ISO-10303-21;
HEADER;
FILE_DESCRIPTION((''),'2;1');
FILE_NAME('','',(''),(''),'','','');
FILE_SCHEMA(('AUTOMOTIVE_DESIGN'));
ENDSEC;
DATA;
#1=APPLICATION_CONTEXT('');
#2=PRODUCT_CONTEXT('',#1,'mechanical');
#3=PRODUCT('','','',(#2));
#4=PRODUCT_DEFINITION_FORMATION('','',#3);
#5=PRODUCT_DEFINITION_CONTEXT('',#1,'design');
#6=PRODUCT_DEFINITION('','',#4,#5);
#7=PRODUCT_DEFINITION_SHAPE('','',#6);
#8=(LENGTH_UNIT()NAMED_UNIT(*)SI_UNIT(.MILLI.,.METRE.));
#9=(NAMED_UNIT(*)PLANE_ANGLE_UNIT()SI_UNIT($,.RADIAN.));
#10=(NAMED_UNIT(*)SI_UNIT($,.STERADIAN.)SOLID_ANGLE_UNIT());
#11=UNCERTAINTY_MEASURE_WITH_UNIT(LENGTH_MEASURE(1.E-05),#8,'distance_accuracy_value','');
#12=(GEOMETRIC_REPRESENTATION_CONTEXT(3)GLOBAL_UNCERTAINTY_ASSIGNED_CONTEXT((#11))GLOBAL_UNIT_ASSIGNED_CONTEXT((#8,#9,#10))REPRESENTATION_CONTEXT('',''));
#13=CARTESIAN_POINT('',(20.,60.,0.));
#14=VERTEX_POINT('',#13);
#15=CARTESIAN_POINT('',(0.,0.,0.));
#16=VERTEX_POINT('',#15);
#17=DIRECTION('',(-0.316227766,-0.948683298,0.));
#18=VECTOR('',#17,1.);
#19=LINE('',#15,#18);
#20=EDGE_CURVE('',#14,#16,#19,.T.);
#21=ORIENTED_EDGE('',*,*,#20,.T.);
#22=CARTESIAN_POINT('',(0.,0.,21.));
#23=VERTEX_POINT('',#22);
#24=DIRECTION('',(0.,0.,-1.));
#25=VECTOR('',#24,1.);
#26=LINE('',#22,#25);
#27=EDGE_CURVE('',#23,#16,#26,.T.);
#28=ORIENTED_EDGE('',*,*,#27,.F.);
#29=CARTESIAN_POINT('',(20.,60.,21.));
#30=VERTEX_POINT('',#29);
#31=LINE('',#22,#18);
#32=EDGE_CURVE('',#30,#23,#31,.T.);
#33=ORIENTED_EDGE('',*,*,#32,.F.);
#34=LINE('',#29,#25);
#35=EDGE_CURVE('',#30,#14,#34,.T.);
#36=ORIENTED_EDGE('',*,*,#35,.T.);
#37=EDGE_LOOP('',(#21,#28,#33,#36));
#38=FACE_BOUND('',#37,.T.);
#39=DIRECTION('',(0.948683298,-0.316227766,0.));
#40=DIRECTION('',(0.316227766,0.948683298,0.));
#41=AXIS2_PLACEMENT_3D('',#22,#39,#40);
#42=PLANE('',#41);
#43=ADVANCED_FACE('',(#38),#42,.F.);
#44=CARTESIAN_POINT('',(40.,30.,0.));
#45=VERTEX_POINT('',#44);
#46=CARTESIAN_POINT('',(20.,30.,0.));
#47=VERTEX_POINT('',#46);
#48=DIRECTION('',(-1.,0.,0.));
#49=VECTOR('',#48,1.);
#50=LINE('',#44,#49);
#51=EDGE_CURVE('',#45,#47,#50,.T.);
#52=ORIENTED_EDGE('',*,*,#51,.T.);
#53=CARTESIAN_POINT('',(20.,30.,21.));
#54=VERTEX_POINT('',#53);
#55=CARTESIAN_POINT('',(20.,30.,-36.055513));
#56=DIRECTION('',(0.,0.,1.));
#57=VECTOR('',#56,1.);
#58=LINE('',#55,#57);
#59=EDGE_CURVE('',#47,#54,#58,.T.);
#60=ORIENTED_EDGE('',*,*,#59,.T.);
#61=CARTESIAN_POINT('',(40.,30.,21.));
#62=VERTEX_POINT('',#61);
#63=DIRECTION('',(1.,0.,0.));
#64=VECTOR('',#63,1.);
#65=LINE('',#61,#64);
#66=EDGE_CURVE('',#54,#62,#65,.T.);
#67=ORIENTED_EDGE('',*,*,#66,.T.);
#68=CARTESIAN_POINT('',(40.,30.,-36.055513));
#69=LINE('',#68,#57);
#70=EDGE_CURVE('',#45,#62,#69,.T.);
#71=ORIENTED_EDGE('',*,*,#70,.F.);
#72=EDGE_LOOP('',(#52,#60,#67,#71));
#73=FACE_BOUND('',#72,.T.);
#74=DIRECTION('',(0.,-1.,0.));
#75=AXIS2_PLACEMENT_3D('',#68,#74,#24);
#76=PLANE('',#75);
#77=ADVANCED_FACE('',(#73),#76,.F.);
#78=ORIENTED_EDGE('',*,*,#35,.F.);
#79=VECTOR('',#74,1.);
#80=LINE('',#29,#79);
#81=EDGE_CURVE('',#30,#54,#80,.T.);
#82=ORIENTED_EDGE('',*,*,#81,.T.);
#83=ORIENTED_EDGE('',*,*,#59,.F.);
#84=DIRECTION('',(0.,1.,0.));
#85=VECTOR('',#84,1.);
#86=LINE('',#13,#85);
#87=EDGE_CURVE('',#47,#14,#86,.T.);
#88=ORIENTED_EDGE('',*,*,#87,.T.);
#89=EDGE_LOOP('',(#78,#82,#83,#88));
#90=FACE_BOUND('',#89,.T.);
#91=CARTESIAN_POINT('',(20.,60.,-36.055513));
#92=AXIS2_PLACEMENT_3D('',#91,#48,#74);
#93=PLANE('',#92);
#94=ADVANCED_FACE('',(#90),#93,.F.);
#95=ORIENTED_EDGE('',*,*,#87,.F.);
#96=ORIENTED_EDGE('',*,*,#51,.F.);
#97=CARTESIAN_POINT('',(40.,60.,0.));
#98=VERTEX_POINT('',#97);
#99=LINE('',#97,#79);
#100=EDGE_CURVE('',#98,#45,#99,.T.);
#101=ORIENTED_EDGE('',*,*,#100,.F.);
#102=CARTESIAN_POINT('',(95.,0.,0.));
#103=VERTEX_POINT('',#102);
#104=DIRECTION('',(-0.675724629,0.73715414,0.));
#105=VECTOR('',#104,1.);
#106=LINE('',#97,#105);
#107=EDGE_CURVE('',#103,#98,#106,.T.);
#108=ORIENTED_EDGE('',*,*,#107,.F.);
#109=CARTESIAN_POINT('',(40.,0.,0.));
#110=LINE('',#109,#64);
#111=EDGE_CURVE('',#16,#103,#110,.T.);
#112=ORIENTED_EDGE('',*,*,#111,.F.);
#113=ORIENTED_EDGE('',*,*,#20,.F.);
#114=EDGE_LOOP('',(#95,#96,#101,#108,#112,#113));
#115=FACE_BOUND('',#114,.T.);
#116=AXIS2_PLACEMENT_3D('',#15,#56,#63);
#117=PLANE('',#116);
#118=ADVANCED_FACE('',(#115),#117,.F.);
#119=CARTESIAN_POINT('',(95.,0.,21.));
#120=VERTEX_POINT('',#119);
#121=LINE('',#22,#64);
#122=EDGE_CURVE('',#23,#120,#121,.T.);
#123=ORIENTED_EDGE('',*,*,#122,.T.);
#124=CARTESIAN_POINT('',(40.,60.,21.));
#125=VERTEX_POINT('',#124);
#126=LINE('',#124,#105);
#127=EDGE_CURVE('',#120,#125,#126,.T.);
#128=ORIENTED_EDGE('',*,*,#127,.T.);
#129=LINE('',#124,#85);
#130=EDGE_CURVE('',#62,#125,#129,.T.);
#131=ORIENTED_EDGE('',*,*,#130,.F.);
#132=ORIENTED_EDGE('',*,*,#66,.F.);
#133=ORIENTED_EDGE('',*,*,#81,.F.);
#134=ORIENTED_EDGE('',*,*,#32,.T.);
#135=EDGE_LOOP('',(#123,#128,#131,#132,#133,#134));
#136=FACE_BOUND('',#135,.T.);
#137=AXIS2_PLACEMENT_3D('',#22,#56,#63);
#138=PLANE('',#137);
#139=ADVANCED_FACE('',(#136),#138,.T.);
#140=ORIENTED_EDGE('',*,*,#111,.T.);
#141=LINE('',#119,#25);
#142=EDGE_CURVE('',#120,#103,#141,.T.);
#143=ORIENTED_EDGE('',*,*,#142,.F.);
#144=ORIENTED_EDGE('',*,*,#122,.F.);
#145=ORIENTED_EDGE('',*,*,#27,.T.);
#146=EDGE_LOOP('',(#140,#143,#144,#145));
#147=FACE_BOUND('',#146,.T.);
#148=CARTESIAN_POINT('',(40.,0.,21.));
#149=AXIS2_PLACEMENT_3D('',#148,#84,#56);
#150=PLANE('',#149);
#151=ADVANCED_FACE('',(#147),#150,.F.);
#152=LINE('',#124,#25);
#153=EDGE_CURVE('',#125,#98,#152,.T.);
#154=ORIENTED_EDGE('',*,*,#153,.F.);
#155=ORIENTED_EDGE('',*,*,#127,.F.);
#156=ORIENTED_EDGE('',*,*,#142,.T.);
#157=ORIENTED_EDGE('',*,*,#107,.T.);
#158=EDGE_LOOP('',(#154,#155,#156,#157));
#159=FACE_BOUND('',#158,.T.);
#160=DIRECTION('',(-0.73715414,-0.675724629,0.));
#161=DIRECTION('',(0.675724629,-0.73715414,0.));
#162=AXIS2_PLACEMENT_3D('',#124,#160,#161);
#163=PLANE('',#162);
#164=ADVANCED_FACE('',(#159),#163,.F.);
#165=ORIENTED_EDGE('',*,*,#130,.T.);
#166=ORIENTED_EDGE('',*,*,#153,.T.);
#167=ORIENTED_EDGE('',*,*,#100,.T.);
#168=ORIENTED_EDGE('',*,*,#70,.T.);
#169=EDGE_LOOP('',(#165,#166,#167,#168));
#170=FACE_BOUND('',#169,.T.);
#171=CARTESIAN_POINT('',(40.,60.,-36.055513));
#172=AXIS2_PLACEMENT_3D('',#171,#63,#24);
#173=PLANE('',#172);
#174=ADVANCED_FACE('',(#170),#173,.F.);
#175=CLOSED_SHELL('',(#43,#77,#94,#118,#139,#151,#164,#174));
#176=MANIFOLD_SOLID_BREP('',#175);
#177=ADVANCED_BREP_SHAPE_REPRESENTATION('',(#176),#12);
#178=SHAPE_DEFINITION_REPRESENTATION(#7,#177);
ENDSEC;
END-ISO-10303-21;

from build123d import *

# Parameters (mm, degrees)
BOSS_EXTRUDE1_DEPTH = 21
SKETCH2_W           = 20
SKETCH2_H           = 30
CUT_EXTRUDE1_DEPTH  = 21


with BuildPart() as part:
    # Sketch1 → Boss-Extrude1 (new body)
    with BuildSketch(Plane.XY):
        Polygon((0, 0), (20, 60), (40, 60), (95, 0), (40, 0), (20, 0), align=None)
    extrude(amount=BOSS_EXTRUDE1_DEPTH)

    # Sketch2 → Cut-Extrude1 (cut)
    with BuildSketch(Plane.XY.offset(21)):
        with Locations((30, 45)):
            Rectangle(SKETCH2_W, SKETCH2_H)
    extrude(amount=-CUT_EXTRUDE1_DEPTH, mode=Mode.SUBTRACT)


solid = part.part
